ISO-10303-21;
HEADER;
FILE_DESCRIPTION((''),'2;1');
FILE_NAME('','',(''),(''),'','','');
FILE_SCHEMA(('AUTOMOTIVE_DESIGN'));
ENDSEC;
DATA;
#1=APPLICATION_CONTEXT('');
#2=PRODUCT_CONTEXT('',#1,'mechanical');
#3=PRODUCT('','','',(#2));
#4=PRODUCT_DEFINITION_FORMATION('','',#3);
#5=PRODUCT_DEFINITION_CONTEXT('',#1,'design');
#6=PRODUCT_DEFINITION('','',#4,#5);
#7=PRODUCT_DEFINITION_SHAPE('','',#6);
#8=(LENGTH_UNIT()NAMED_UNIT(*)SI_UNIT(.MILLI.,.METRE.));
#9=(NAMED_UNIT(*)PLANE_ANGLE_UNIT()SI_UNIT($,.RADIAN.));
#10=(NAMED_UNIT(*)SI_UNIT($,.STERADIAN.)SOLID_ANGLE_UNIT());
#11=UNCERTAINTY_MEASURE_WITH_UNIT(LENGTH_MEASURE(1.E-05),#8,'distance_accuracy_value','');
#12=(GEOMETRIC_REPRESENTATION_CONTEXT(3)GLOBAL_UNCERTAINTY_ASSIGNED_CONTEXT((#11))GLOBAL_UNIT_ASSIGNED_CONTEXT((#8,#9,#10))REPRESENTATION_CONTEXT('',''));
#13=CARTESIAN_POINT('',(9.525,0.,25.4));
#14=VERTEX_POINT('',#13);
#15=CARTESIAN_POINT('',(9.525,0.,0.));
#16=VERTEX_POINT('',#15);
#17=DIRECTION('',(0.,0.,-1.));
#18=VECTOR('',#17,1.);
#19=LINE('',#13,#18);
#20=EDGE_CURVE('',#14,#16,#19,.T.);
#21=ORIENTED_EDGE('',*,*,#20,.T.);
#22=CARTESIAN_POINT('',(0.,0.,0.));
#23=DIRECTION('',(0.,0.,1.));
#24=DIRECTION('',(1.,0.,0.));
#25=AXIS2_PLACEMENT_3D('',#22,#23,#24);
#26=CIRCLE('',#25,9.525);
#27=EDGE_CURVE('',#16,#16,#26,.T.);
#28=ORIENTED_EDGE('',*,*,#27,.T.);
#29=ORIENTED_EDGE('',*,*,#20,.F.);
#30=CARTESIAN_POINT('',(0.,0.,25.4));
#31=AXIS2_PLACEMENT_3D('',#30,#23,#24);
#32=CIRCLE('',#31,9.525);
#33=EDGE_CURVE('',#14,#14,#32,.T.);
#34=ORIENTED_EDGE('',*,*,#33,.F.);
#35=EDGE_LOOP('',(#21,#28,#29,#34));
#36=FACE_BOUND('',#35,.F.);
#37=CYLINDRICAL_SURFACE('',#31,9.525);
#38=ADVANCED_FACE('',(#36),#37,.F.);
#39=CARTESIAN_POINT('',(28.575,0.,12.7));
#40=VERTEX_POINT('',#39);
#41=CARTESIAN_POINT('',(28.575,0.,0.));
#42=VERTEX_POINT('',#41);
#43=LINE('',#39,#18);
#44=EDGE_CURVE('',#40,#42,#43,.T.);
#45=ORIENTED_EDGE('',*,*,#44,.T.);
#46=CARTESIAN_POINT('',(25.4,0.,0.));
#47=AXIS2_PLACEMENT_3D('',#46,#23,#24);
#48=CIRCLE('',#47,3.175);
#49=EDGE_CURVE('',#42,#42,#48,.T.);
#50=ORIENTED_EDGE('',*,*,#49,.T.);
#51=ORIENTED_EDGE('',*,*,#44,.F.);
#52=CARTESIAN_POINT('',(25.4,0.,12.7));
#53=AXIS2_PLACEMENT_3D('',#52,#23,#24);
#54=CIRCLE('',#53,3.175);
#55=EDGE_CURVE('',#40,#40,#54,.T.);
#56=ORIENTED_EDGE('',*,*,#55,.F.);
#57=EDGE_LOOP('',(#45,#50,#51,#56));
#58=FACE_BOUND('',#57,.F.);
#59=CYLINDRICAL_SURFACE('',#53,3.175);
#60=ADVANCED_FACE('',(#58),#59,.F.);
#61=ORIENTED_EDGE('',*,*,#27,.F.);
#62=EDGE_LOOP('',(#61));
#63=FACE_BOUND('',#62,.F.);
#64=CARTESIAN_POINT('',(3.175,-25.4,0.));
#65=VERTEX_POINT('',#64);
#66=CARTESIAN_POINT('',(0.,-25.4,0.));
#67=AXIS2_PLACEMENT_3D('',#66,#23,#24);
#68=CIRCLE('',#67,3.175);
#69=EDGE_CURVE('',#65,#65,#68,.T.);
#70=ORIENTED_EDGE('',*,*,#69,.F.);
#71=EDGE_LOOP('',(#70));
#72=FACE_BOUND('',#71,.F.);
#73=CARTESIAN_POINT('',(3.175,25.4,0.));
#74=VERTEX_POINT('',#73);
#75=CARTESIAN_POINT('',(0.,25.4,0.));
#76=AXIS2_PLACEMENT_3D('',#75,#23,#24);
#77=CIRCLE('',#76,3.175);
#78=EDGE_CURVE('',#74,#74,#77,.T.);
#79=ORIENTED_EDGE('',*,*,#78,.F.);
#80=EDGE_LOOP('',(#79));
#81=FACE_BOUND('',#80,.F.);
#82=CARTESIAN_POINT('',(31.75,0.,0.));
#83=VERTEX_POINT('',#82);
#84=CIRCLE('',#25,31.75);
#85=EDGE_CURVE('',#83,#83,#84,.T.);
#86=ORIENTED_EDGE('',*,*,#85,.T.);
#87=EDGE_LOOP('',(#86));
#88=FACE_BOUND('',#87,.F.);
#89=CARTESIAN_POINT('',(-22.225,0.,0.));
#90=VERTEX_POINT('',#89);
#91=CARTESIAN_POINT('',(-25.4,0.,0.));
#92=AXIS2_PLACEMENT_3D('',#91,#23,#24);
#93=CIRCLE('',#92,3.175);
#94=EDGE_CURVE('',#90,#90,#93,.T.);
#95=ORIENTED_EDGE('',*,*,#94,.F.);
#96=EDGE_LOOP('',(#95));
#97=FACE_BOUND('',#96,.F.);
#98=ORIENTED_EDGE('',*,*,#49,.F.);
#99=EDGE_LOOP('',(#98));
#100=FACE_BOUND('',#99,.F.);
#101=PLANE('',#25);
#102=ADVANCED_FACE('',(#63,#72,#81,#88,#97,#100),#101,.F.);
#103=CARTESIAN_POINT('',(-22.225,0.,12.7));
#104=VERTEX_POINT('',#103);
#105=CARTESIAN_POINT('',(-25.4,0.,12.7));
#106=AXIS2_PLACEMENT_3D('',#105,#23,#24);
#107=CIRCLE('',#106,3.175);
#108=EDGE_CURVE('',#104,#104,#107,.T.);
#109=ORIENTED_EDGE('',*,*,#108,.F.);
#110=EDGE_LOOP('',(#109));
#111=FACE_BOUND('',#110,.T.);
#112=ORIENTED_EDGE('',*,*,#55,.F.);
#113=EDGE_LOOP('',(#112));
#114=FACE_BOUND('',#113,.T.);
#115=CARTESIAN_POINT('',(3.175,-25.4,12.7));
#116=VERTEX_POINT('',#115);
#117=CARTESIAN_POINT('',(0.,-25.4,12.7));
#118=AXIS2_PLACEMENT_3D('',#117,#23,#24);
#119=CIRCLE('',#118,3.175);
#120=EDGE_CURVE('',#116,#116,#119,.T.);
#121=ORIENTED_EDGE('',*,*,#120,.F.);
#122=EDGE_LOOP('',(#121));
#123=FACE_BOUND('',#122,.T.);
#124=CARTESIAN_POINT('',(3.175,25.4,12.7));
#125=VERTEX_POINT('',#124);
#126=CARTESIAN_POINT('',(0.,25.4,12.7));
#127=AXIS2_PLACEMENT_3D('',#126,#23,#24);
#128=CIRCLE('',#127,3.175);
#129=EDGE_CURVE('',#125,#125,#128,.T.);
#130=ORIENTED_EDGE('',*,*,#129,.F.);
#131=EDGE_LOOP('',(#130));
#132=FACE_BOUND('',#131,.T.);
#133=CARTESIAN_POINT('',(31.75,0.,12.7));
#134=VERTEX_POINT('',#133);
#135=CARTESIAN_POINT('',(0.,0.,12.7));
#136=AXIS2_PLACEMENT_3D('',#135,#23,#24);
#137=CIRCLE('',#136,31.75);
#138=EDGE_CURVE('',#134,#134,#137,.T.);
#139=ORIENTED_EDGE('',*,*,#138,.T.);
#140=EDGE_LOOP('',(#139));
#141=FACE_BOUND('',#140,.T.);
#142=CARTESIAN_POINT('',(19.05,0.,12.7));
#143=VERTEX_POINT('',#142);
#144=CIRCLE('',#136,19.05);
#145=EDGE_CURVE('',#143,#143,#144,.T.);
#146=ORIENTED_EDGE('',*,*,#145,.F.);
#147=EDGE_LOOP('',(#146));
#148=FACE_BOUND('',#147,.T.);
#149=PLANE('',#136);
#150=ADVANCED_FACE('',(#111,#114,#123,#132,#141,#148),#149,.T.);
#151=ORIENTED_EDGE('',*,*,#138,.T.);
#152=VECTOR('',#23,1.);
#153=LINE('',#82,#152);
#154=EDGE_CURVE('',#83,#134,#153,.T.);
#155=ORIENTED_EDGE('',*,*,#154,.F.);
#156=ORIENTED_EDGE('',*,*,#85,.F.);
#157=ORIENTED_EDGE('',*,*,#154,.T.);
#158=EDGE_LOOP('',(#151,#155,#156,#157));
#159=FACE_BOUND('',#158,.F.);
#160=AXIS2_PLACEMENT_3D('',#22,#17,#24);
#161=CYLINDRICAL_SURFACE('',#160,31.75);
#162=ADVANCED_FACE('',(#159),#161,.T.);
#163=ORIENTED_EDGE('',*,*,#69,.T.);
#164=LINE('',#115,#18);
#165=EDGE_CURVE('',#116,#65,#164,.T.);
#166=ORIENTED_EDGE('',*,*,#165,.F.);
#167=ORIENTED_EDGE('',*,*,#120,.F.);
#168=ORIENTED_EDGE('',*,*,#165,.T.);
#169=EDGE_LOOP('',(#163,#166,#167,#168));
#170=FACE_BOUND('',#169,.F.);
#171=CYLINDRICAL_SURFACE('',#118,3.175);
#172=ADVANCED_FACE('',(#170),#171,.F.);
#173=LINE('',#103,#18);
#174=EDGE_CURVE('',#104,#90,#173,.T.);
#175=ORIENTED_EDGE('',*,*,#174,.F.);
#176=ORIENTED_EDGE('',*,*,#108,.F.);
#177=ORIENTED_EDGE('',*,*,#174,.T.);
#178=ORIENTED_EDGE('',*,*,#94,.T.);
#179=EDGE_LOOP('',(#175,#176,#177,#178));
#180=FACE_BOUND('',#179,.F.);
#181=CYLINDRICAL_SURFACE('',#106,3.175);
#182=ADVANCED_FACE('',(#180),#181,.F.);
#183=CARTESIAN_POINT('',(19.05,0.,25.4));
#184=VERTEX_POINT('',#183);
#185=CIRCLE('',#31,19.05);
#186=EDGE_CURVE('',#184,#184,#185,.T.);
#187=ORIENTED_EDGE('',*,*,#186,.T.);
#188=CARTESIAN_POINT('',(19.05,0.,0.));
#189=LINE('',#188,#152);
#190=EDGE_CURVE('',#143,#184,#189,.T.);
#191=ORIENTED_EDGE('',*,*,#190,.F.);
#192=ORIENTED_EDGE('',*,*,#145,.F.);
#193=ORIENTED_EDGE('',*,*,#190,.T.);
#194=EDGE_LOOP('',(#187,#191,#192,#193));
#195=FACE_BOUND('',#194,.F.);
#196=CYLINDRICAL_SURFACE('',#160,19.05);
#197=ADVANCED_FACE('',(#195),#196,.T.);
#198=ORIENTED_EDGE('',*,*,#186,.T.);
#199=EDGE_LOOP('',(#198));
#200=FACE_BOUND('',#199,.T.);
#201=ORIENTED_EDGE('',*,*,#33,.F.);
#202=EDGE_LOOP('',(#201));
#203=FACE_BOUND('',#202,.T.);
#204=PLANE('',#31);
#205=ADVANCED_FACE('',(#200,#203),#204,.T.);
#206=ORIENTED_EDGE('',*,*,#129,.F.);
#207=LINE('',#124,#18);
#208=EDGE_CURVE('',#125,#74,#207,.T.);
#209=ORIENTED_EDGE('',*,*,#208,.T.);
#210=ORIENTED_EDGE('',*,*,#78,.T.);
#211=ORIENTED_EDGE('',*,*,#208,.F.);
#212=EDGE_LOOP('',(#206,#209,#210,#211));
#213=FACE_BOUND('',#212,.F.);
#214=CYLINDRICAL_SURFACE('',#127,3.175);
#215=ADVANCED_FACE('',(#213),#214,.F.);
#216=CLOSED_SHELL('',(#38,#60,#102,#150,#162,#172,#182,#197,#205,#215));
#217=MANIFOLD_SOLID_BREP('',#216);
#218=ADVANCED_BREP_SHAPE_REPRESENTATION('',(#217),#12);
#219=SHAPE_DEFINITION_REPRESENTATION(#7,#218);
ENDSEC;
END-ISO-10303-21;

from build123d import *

# Parameters (mm, degrees)
F0_R     = 19.05
F0_R_2   = 31.75
F1_DEPTH = 12.7
F2_DEPTH = 25.4
F3_R     = 9.525
F4_DEPTH = 25.401
F5_R     = 3.175
F6_DEPTH = 12.701


with BuildPart() as f1:
    # F0 (on Top) → F1 (new body)
    with BuildSketch(Plane.XY):
        Circle(F0_R)
        Circle(F0_R_2)
        Circle(F0_R, mode=Mode.SUBTRACT)
    extrude(amount=F1_DEPTH)

    # F0 (on Top) → F2 (join)
    with BuildSketch(Plane.XY):
        Circle(F0_R)
    extrude(amount=F2_DEPTH)

    # F3 (on face) → F4 (cut, through all)
    with BuildSketch(Plane.XY.offset(25.4)):
        Circle(F3_R)
    extrude(amount=-F4_DEPTH, mode=Mode.SUBTRACT)

    # F5 (on face) → F6 (cut, through all)
    with BuildSketch(Plane.XY.offset(12.7)):
        with Locations((-25.4, 0)):
            Circle(F5_R)
        with Locations((0, -25.4)):
            Circle(F5_R)
        with Locations((25.4, 0)):
            Circle(F5_R)
        with Locations((0, 25.4)):
            Circle(F5_R)
    extrude(amount=-F6_DEPTH, mode=Mode.SUBTRACT)


solid = f1.part
